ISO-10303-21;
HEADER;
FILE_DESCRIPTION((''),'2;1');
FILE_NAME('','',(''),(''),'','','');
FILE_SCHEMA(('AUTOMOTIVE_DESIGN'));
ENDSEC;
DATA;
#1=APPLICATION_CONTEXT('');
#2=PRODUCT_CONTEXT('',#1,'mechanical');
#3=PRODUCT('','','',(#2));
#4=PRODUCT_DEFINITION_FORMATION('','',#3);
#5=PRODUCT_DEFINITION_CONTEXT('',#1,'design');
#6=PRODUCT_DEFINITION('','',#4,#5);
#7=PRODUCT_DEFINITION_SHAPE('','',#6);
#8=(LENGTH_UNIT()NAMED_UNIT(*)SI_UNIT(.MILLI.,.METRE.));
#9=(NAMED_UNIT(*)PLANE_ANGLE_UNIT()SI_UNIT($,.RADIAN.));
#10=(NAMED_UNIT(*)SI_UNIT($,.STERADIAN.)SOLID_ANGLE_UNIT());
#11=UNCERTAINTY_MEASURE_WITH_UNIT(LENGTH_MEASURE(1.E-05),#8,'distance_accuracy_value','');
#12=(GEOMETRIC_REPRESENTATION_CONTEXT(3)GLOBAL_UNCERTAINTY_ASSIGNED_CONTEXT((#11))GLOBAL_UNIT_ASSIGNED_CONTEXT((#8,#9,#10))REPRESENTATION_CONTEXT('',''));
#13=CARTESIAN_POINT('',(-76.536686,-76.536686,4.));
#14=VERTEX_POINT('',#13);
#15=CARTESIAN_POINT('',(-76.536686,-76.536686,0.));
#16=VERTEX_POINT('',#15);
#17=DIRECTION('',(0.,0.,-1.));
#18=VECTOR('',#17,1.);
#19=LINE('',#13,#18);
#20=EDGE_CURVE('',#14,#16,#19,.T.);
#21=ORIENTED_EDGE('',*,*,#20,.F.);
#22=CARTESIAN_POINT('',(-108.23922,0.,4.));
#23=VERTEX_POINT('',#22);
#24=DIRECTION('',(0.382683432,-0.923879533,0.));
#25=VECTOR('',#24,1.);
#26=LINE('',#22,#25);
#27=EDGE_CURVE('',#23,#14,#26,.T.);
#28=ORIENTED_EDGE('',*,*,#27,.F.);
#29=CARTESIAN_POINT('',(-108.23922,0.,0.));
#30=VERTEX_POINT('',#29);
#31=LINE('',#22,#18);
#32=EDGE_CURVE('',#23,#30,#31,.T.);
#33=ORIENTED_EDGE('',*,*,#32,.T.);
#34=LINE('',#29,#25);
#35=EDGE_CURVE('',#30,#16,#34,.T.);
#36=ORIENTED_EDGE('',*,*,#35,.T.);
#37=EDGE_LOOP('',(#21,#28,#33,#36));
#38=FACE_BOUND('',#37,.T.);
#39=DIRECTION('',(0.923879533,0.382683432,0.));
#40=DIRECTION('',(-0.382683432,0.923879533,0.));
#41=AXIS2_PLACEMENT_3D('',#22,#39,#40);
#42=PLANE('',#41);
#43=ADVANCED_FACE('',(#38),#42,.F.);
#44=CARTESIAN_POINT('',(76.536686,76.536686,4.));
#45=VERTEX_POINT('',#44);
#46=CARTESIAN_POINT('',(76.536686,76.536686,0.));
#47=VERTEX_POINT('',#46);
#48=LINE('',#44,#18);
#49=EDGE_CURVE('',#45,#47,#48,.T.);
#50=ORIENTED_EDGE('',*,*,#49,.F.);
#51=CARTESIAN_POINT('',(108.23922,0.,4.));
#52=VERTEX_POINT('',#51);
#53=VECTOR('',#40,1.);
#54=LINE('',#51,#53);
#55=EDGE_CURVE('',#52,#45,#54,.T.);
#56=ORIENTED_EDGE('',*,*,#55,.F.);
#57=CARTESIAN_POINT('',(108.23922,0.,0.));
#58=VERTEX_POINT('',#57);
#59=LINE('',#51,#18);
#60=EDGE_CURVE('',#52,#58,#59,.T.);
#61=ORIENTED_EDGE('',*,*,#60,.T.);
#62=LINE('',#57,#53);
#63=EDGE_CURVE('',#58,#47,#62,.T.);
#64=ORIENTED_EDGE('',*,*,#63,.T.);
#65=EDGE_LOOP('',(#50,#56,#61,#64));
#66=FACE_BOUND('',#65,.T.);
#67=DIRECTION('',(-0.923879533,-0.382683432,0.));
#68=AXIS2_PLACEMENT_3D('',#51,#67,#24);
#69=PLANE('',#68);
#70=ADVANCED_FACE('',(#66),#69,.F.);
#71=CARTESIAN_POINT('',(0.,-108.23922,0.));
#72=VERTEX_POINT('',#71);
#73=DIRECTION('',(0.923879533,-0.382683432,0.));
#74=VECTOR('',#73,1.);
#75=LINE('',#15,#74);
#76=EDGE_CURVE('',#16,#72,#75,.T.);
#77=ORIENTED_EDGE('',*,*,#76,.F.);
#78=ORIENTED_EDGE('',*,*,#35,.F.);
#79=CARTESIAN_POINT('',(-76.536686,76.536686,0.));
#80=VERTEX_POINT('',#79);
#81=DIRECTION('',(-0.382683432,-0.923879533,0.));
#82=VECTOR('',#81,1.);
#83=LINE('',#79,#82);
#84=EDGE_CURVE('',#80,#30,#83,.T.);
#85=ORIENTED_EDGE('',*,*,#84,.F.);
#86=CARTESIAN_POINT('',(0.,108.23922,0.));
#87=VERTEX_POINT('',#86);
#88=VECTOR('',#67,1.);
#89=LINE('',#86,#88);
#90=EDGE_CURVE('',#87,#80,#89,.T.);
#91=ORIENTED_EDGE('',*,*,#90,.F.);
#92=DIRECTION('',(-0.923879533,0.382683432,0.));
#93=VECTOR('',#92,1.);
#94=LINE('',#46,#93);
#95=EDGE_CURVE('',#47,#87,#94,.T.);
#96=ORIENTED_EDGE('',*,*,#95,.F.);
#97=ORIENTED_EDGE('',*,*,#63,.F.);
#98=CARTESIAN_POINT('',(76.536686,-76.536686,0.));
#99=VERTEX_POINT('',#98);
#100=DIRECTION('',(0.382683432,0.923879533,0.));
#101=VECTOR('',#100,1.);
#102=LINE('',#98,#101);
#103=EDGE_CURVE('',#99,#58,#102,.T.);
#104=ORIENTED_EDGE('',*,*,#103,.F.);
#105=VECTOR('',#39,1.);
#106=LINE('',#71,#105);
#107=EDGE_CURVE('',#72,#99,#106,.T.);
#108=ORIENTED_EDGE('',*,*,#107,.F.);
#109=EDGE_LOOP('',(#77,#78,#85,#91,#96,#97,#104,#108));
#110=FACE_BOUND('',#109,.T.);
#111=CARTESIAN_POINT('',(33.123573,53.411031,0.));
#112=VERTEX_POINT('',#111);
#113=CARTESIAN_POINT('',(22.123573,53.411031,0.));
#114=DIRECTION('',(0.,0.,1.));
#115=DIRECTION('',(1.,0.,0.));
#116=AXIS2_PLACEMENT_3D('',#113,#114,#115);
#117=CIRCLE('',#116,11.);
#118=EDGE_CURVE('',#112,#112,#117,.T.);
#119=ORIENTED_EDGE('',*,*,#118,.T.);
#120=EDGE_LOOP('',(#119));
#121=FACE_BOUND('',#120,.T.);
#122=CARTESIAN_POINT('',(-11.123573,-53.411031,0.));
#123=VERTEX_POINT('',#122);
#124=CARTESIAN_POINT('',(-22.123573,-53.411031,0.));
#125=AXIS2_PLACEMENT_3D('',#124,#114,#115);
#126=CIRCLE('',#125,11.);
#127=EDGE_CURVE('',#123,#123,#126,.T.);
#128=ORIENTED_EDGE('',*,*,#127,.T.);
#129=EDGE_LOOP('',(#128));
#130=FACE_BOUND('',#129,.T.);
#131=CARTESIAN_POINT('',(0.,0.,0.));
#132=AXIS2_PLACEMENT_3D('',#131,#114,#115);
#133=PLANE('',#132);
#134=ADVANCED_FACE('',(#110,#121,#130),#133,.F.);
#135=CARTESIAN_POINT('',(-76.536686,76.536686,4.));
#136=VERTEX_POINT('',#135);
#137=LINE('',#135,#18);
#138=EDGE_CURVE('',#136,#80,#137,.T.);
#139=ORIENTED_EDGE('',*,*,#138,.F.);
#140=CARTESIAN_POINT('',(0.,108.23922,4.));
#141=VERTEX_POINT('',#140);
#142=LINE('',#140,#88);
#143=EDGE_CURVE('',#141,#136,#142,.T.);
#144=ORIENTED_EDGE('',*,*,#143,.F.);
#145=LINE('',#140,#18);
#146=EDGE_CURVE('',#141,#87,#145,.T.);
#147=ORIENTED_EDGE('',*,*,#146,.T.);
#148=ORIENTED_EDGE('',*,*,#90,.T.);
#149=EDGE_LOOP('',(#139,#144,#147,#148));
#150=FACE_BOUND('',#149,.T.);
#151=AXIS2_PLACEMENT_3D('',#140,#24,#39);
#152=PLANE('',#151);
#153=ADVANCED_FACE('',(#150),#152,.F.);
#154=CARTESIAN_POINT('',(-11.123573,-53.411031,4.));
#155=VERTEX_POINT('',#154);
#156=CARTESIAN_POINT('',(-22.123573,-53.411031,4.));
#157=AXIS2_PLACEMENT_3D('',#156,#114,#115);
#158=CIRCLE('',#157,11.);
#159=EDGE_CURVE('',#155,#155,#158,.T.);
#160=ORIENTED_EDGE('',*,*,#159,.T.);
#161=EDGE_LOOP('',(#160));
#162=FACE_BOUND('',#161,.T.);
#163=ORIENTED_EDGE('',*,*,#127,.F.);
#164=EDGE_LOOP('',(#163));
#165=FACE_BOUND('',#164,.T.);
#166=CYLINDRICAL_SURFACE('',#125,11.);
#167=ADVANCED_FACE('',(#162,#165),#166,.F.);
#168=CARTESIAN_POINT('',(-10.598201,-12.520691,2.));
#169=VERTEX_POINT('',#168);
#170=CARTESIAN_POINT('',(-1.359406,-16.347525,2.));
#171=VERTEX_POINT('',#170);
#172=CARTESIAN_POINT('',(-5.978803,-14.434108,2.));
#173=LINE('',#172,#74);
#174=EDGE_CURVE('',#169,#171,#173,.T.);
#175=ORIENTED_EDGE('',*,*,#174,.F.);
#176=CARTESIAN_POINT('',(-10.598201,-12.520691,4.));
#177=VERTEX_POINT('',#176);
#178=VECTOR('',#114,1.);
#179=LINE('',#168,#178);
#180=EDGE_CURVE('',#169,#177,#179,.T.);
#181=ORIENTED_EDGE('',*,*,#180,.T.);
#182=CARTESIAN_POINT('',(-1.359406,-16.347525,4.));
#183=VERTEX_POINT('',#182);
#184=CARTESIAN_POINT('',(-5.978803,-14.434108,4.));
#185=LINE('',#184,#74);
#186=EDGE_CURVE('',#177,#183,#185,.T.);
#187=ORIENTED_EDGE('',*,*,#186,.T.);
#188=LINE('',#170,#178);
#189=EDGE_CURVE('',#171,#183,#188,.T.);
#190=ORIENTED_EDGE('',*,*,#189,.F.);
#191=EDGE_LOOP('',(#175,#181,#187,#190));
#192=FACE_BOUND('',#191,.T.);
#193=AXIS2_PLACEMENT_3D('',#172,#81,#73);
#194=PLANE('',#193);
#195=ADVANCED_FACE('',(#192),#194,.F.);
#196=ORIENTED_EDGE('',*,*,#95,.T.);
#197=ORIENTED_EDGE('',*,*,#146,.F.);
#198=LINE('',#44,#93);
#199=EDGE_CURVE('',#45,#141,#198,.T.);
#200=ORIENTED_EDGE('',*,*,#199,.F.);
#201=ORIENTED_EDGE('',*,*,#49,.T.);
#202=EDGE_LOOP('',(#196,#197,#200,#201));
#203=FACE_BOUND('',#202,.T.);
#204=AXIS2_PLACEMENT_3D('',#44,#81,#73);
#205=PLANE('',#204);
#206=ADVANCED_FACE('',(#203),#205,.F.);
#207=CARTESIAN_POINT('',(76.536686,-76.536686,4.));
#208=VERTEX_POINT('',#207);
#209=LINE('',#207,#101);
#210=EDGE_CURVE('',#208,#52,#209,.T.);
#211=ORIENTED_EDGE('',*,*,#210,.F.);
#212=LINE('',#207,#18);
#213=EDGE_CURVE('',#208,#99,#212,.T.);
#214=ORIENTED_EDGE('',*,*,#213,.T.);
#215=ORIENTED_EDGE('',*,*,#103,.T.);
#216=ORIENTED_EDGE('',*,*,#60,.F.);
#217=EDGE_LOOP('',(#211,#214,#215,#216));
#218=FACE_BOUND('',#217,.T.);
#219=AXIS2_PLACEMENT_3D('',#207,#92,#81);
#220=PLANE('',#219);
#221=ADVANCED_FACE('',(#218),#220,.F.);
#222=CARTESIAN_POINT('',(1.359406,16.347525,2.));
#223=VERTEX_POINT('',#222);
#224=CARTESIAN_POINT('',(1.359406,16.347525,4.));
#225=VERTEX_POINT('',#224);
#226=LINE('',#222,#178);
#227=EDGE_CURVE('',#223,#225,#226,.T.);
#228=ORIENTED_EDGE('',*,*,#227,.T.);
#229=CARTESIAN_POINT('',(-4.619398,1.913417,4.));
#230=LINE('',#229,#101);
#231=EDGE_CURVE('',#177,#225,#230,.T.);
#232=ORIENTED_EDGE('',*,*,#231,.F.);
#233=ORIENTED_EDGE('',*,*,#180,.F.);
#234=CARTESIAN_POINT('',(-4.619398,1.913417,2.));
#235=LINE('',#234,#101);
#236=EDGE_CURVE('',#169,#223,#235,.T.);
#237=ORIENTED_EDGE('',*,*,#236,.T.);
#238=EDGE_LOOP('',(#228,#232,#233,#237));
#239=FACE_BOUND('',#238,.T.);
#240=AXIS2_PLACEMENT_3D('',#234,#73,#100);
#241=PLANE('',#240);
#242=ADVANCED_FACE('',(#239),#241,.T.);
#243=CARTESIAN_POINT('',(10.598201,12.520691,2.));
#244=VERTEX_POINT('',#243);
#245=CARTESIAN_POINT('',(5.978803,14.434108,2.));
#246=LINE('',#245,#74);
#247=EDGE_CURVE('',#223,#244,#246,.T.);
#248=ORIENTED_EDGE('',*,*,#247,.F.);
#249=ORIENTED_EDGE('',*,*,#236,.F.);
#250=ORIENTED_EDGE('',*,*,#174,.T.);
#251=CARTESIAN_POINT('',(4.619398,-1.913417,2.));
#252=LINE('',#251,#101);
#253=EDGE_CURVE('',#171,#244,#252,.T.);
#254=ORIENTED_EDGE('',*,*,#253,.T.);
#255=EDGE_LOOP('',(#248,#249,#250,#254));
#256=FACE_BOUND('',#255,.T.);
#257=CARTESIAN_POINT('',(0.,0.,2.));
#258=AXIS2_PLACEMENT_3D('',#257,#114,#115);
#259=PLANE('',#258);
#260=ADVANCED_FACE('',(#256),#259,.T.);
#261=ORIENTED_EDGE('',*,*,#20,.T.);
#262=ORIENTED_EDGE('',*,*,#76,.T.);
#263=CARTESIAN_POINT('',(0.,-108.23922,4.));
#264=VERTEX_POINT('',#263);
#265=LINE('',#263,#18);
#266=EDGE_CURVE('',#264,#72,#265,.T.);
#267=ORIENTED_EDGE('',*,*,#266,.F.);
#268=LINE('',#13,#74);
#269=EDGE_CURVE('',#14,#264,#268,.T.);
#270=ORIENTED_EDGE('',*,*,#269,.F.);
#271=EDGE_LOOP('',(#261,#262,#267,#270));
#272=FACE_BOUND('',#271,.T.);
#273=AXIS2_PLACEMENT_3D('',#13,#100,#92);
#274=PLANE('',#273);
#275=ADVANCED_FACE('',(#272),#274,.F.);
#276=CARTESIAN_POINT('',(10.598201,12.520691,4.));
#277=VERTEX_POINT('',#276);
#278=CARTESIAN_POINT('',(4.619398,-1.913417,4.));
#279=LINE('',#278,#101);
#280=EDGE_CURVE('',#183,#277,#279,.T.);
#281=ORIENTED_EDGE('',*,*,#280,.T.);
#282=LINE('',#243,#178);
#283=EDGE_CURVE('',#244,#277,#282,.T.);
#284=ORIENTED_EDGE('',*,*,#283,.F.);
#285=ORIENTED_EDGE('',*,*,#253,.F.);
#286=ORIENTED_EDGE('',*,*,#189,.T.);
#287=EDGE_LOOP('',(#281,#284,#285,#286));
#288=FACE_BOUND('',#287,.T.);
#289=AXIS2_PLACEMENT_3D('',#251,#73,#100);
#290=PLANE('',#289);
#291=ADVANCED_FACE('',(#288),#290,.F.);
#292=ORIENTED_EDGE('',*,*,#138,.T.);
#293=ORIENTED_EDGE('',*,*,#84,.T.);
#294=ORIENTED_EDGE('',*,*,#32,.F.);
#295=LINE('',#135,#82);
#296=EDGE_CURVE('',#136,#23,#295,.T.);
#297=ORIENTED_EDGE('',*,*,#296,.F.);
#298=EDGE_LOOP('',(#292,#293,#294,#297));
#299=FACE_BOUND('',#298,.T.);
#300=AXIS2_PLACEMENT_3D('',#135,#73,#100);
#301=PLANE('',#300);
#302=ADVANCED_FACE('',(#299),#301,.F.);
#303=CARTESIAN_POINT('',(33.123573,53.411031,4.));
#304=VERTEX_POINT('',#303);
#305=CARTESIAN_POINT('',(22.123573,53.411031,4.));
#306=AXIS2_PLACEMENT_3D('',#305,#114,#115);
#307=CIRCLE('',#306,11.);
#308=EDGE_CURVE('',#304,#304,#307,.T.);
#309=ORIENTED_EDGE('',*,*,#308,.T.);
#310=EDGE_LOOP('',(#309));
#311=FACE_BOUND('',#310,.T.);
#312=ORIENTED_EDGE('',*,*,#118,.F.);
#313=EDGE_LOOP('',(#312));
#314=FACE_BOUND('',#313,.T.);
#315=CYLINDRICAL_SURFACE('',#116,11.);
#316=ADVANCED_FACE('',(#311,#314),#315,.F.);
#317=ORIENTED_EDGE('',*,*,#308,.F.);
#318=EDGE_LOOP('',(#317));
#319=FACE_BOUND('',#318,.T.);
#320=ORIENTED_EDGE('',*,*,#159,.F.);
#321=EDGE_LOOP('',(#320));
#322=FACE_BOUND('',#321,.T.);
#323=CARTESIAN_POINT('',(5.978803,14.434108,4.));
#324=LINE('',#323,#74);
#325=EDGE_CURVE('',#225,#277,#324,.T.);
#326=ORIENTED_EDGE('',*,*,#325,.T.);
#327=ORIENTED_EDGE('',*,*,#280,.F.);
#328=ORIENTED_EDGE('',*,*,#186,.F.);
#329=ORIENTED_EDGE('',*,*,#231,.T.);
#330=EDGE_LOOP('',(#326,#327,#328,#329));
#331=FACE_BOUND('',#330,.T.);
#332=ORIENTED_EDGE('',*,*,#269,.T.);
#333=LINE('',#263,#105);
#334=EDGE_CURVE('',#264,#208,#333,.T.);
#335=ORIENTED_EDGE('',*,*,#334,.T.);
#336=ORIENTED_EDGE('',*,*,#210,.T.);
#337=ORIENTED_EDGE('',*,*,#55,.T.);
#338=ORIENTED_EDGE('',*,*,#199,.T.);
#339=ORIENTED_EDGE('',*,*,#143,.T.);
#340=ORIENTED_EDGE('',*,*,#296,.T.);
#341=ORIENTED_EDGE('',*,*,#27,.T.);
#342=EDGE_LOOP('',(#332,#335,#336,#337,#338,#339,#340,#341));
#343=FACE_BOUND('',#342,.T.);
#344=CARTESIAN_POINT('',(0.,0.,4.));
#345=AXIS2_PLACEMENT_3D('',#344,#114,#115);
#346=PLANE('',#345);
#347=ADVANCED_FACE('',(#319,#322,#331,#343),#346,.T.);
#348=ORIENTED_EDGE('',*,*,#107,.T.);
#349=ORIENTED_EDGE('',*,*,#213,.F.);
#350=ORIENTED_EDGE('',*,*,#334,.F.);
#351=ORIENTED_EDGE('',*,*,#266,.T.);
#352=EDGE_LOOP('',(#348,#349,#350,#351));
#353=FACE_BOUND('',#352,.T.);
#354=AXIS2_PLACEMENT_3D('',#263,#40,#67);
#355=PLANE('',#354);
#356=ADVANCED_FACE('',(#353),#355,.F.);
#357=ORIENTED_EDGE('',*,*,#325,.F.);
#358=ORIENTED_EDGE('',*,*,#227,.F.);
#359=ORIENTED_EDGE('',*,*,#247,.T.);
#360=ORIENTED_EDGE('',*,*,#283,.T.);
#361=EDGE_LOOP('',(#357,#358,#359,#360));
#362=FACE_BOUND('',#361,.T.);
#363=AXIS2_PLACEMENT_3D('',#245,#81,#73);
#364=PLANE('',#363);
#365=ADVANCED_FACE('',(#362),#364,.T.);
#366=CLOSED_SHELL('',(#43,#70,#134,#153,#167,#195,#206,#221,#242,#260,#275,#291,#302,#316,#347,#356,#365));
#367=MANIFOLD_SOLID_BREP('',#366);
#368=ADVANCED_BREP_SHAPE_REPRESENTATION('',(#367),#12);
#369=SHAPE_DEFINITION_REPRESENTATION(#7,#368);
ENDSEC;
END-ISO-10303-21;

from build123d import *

# Parameters (mm, degrees)
BOSS_EXTRUDE1_DEPTH = 4
CUT_EXTRUDE1_DEPTH  = 2
SKETCH3_R           = 11
CUT_EXTRUDE2_DEPTH  = 154.125626546


with BuildPart() as part:
    # Sketch1 → Boss-Extrude1 (new body)
    with BuildSketch(Plane.XY):
        Polygon((0, -108.239220029), (76.536686473, -76.536686473), (108.239220029, 0), (76.536686473, 76.536686473), (0, 108.239220029), (-76.536686473, 76.536686473), (-108.239220029, 0), (-76.536686473, -76.536686473), align=None)
    extrude(amount=BOSS_EXTRUDE1_DEPTH)

    # Sketch2 → Cut-Extrude1 (cut)
    with BuildSketch(Plane.XY.offset(4)):
        Polygon((-10.598200902, -12.520690706), (-1.359405577, -16.347525029), (10.598200902, 12.520690706), (1.359405577, 16.347525029), align=None)
    extrude(amount=-CUT_EXTRUDE1_DEPTH, mode=Mode.SUBTRACT)

    # Sketch3 → Cut-Extrude2 (cut, through all)
    with BuildSketch(Plane.XY.offset(4)):
        with Locations((-22.123573238, -53.411030559)):
            Circle(SKETCH3_R)
        with Locations((22.123573238, 53.411030559)):
            Circle(SKETCH3_R)
    extrude(amount=-CUT_EXTRUDE2_DEPTH, mode=Mode.SUBTRACT)


solid = part.part
